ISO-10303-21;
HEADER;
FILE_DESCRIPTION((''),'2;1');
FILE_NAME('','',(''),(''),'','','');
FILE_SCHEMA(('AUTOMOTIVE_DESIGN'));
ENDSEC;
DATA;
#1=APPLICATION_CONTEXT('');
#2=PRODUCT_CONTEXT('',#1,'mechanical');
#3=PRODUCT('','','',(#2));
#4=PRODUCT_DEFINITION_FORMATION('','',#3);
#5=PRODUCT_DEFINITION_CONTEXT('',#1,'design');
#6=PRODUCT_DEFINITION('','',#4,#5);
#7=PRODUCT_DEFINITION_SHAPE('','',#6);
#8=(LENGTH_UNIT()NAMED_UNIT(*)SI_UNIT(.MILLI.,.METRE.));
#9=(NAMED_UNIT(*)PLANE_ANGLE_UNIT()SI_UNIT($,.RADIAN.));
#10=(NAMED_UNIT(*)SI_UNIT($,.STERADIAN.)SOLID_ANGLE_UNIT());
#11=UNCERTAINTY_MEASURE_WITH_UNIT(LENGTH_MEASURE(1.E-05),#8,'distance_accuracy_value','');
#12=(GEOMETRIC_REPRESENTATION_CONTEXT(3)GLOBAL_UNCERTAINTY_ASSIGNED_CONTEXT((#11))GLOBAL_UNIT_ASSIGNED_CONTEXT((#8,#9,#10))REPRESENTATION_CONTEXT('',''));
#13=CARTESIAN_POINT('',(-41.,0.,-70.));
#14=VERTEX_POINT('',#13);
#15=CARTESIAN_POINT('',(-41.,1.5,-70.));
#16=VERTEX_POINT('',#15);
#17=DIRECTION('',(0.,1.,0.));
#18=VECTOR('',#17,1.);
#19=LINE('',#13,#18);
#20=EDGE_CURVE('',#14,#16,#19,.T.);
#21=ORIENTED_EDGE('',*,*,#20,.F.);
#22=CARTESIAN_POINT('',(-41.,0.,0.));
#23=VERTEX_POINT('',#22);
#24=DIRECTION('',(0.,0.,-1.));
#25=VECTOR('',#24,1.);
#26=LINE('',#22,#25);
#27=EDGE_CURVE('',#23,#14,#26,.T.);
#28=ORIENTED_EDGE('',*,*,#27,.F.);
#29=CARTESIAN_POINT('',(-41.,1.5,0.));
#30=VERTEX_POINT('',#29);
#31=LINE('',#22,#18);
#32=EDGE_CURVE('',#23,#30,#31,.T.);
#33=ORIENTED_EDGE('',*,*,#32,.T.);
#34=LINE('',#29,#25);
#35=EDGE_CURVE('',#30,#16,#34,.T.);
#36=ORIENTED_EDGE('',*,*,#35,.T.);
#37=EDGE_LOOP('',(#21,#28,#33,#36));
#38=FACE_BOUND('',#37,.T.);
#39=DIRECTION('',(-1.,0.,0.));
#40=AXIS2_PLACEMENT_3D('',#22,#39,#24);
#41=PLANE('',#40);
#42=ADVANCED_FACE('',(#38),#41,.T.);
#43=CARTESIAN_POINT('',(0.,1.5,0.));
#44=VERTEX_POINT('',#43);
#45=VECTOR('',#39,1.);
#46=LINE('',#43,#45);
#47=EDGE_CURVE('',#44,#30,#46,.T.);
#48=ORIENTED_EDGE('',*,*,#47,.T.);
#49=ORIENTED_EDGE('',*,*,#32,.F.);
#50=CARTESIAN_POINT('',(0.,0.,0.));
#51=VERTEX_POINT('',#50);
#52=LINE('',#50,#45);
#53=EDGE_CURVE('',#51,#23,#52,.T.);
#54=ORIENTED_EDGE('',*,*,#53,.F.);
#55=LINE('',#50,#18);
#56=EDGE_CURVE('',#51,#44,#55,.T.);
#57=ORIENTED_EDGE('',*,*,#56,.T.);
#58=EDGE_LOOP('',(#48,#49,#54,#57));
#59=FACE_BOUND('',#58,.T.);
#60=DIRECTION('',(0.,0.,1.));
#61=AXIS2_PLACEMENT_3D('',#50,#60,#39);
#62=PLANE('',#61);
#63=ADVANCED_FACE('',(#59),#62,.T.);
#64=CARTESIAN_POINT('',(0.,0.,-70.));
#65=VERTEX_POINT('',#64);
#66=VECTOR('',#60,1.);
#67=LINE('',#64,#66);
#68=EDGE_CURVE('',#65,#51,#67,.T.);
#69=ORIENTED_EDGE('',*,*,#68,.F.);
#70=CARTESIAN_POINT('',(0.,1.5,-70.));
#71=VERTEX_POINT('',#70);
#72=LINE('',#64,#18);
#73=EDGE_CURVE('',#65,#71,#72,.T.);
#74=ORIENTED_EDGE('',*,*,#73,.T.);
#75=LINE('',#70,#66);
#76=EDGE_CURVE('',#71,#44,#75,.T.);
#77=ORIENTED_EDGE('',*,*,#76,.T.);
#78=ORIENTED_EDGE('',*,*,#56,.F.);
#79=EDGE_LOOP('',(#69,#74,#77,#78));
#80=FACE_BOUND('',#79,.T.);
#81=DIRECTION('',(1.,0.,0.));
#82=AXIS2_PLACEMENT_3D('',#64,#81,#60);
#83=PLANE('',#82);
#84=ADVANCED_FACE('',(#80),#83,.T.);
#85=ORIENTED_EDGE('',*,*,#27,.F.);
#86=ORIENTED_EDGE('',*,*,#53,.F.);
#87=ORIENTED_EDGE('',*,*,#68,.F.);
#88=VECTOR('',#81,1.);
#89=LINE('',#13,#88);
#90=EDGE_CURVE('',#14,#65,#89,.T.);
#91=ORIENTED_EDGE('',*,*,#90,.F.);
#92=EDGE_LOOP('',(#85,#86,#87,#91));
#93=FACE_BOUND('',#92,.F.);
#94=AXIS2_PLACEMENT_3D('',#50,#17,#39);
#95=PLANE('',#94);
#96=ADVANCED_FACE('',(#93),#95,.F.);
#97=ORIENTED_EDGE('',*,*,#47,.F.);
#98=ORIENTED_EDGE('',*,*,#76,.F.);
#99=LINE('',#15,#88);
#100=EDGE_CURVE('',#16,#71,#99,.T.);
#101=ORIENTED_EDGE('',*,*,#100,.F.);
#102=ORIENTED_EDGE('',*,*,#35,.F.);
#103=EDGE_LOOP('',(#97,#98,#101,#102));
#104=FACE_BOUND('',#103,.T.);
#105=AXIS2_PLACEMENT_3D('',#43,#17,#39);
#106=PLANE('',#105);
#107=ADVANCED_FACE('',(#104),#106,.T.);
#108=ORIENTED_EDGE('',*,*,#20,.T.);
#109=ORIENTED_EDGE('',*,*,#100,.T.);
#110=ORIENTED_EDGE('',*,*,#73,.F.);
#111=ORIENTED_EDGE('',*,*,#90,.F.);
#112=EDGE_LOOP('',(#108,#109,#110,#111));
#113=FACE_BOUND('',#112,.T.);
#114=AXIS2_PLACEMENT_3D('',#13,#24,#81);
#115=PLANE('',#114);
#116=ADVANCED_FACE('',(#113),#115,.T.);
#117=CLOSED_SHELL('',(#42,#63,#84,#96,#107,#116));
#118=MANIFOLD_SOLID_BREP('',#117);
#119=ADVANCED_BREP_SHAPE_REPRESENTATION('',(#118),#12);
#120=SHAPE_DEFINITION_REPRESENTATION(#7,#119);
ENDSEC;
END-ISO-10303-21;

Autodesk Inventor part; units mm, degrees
ref_plane "YZ Plane" through (0, 0, 0) normal (1, 0, 0) x (0, 1, 0)
ref_plane "XZ Plane" through (0, 0, 0) normal (0, 1, 0) x (-1, 0, 0)
ref_plane "XY Plane" through (0, 0, 0) normal (0, 0, 1) x (1, 0, 0)
sketch "Szkic1" plane through (0, 0, 0) normal (0, 1, 0) x (-1, 0, 0)
  line L0 (41, -70) -> (0, -70)
  line L1 (0, -70) -> (0, 0)
  line L2 (0, 0) -> (41, 0)
  line L3 (41, 0) -> (41, -70)
  dimension "d0" = 70
  dimension "d1" = 41
extrude "Wyciągnięcie proste1" add sketch "Szkic1" along normal blind 1.5
properties part number "plytka" material "Miedź"
